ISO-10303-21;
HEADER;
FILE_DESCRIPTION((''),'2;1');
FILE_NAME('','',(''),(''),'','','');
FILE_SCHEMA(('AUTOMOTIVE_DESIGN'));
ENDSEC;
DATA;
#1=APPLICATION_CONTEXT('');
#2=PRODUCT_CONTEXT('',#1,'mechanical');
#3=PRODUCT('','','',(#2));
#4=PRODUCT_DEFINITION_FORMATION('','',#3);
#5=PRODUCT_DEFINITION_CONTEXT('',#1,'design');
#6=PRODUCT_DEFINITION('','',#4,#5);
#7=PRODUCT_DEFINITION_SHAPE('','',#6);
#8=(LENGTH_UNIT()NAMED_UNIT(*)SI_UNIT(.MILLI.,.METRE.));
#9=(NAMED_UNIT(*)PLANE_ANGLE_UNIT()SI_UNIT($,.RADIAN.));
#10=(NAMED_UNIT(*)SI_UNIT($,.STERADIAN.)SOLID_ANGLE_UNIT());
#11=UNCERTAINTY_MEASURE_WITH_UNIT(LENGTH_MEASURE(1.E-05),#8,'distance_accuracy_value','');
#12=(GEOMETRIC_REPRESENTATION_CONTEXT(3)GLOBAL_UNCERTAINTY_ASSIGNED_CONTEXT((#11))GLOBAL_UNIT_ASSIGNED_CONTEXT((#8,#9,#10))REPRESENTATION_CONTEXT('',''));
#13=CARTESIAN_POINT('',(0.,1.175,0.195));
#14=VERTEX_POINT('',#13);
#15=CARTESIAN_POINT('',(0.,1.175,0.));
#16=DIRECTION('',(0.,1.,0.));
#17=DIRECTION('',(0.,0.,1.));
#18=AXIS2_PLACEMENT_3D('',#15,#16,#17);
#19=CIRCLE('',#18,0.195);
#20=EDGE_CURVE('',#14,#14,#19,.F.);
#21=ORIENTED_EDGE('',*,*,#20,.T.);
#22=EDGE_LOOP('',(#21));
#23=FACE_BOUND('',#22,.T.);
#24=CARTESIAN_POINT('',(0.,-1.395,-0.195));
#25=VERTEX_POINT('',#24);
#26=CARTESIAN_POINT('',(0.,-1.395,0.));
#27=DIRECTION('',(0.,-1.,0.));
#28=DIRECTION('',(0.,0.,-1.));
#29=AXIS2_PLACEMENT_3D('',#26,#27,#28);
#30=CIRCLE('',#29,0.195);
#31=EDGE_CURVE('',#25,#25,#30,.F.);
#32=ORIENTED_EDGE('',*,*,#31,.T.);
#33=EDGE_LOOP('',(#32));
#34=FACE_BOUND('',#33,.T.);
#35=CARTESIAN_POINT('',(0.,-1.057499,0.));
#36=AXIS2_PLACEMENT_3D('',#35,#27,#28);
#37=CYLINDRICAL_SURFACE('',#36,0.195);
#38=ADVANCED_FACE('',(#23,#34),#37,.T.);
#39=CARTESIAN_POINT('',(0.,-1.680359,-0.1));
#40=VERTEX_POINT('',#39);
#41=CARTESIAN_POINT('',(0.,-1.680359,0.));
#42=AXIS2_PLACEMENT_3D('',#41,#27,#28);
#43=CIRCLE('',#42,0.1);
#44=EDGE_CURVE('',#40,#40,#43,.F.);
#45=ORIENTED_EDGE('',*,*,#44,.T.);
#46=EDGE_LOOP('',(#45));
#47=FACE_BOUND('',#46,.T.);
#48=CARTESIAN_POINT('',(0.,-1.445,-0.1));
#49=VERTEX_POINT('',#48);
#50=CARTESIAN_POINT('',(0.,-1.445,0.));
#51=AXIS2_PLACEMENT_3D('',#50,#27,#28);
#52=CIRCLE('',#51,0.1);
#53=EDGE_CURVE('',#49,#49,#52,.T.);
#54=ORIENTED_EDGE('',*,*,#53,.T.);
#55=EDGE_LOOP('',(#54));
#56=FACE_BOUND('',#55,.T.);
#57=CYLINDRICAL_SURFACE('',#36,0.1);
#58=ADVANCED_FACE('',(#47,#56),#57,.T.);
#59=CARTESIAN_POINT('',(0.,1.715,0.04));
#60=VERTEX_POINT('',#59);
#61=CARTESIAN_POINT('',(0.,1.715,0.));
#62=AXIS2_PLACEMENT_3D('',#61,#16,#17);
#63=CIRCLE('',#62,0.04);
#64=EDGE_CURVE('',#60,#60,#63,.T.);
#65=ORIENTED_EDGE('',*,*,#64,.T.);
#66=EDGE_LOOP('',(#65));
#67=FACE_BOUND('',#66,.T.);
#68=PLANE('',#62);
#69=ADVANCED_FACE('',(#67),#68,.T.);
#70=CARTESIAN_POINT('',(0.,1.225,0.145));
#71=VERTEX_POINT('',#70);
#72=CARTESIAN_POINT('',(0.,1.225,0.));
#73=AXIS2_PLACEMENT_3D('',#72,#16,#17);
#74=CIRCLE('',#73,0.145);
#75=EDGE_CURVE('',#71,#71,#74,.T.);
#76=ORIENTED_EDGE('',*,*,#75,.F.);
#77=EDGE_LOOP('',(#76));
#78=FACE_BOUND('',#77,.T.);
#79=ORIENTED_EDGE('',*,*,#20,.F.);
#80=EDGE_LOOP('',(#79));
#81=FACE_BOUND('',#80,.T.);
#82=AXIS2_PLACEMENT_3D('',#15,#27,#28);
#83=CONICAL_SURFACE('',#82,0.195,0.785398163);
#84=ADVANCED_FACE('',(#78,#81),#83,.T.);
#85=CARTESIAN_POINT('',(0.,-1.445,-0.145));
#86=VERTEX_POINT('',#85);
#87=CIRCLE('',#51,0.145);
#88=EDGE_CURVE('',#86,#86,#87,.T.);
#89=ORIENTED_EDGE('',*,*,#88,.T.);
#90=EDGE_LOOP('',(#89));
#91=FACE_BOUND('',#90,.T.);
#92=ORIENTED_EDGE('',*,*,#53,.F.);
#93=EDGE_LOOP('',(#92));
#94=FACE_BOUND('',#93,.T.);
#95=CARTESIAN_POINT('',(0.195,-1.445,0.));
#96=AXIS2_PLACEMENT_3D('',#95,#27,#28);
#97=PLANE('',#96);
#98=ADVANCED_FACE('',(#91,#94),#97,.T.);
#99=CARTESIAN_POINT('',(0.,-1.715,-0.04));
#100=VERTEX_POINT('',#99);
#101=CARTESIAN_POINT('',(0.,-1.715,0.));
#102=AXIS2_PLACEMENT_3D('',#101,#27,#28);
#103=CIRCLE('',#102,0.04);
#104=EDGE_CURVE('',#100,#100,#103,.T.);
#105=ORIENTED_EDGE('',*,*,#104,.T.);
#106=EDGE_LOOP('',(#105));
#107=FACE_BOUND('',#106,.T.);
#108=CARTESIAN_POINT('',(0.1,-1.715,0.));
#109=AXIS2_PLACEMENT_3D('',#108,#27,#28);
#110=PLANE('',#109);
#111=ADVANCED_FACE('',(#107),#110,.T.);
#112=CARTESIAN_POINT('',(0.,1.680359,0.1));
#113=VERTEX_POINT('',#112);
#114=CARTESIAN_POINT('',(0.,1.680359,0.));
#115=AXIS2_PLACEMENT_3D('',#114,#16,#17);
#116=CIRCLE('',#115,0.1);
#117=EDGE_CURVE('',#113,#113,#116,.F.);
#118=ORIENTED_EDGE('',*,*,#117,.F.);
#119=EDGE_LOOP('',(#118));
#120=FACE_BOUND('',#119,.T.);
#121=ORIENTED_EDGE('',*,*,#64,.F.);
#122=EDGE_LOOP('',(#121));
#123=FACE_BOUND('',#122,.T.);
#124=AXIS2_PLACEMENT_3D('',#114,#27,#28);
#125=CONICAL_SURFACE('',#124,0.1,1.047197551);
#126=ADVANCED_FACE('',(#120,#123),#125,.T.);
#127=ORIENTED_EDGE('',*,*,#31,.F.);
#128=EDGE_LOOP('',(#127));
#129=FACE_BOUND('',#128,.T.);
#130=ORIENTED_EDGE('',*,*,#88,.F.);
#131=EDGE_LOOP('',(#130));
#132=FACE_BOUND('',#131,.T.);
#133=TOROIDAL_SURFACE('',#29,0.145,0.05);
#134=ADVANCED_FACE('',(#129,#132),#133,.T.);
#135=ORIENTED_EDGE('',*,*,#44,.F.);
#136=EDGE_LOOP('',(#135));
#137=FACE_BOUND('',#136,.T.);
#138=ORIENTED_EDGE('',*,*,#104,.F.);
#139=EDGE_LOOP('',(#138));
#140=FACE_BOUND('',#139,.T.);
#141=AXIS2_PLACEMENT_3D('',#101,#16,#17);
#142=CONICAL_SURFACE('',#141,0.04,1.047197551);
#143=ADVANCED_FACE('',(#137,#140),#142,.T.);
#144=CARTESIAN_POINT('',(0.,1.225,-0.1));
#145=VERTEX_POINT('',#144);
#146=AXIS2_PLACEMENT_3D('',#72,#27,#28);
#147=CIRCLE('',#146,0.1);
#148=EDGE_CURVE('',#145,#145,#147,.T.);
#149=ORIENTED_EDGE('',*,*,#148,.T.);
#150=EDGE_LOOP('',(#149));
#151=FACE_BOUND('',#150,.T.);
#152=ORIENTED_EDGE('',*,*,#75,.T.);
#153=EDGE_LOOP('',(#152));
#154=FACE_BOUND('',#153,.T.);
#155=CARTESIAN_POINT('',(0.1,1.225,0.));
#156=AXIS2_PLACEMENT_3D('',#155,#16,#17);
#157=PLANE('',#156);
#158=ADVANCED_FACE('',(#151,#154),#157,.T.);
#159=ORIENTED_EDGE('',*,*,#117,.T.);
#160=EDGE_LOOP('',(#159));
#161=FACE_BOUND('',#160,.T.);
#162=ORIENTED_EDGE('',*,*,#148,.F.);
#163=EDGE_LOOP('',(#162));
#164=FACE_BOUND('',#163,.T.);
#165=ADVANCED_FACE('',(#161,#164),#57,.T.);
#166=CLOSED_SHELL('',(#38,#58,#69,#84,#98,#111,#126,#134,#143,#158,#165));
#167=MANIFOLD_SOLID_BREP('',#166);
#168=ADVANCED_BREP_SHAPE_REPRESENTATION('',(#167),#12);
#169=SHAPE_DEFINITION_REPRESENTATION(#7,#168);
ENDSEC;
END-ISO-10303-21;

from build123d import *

# Parameters (mm, degrees)
CHAMFER1_SIZE  = 0.06
CHAMFER1_SIZE2 = 0.034641016
CHAMFER2_SIZE  = 0.06
CHAMFER2_SIZE2 = 0.034641016
CHAMFER3_SIZE  = 0.05
FILLET1_R      = 0.05


with BuildPart() as part:
    # Sketch1 → Revolve1 (revolve)
    with BuildSketch(Plane.XY, mode=Mode.PRIVATE) as revolve1_sk:
        Polygon((0, 1.715), (0.1, 1.715), (0.1, 1.225), (0.195, 1.225), (0.195, -1.445), (0.1, -1.445), (0.1, -1.715), (0, -1.715), align=None)
    revolve(revolve1_sk.sketch.rotate(Axis((0, -1.057499082, 0), (0, 1, 0)), 90), axis=Axis((0, -1.057499082, 0), (0, 1, 0)))

    # Chamfer1
    chamfer1_edges = [part.edges().sort_by_distance(p)[0] for p in [
        (0, 1.715, 0.1),
    ]]
    chamfer1_side = [part.faces().sort_by_distance(p)[0] for p in [
        (0, 1.715, 0),
    ]]
    chamfer(chamfer1_edges, length=CHAMFER1_SIZE, length2=CHAMFER1_SIZE2, reference=chamfer1_side[0])

    # Chamfer2
    chamfer2_edges = [part.edges().sort_by_distance(p)[0] for p in [
        (0, -1.715, 0.1),
    ]]
    chamfer2_side = [part.faces().sort_by_distance(p)[0] for p in [
        (0, -1.715, 0),
    ]]
    chamfer(chamfer2_edges, length=CHAMFER2_SIZE, length2=CHAMFER2_SIZE2, reference=chamfer2_side[0])

    # Chamfer3
    chamfer3_edges = [part.edges().sort_by_distance(p)[0] for p in [
        (0, 1.225, 0.195),
    ]]
    chamfer(chamfer3_edges, length=CHAMFER3_SIZE)

    # Fillet1
    fillet1_edges = [part.edges().sort_by_distance(p)[0] for p in [
        (0, -1.445, 0.195),
    ]]
    fillet(fillet1_edges, radius=FILLET1_R)


solid = part.part
